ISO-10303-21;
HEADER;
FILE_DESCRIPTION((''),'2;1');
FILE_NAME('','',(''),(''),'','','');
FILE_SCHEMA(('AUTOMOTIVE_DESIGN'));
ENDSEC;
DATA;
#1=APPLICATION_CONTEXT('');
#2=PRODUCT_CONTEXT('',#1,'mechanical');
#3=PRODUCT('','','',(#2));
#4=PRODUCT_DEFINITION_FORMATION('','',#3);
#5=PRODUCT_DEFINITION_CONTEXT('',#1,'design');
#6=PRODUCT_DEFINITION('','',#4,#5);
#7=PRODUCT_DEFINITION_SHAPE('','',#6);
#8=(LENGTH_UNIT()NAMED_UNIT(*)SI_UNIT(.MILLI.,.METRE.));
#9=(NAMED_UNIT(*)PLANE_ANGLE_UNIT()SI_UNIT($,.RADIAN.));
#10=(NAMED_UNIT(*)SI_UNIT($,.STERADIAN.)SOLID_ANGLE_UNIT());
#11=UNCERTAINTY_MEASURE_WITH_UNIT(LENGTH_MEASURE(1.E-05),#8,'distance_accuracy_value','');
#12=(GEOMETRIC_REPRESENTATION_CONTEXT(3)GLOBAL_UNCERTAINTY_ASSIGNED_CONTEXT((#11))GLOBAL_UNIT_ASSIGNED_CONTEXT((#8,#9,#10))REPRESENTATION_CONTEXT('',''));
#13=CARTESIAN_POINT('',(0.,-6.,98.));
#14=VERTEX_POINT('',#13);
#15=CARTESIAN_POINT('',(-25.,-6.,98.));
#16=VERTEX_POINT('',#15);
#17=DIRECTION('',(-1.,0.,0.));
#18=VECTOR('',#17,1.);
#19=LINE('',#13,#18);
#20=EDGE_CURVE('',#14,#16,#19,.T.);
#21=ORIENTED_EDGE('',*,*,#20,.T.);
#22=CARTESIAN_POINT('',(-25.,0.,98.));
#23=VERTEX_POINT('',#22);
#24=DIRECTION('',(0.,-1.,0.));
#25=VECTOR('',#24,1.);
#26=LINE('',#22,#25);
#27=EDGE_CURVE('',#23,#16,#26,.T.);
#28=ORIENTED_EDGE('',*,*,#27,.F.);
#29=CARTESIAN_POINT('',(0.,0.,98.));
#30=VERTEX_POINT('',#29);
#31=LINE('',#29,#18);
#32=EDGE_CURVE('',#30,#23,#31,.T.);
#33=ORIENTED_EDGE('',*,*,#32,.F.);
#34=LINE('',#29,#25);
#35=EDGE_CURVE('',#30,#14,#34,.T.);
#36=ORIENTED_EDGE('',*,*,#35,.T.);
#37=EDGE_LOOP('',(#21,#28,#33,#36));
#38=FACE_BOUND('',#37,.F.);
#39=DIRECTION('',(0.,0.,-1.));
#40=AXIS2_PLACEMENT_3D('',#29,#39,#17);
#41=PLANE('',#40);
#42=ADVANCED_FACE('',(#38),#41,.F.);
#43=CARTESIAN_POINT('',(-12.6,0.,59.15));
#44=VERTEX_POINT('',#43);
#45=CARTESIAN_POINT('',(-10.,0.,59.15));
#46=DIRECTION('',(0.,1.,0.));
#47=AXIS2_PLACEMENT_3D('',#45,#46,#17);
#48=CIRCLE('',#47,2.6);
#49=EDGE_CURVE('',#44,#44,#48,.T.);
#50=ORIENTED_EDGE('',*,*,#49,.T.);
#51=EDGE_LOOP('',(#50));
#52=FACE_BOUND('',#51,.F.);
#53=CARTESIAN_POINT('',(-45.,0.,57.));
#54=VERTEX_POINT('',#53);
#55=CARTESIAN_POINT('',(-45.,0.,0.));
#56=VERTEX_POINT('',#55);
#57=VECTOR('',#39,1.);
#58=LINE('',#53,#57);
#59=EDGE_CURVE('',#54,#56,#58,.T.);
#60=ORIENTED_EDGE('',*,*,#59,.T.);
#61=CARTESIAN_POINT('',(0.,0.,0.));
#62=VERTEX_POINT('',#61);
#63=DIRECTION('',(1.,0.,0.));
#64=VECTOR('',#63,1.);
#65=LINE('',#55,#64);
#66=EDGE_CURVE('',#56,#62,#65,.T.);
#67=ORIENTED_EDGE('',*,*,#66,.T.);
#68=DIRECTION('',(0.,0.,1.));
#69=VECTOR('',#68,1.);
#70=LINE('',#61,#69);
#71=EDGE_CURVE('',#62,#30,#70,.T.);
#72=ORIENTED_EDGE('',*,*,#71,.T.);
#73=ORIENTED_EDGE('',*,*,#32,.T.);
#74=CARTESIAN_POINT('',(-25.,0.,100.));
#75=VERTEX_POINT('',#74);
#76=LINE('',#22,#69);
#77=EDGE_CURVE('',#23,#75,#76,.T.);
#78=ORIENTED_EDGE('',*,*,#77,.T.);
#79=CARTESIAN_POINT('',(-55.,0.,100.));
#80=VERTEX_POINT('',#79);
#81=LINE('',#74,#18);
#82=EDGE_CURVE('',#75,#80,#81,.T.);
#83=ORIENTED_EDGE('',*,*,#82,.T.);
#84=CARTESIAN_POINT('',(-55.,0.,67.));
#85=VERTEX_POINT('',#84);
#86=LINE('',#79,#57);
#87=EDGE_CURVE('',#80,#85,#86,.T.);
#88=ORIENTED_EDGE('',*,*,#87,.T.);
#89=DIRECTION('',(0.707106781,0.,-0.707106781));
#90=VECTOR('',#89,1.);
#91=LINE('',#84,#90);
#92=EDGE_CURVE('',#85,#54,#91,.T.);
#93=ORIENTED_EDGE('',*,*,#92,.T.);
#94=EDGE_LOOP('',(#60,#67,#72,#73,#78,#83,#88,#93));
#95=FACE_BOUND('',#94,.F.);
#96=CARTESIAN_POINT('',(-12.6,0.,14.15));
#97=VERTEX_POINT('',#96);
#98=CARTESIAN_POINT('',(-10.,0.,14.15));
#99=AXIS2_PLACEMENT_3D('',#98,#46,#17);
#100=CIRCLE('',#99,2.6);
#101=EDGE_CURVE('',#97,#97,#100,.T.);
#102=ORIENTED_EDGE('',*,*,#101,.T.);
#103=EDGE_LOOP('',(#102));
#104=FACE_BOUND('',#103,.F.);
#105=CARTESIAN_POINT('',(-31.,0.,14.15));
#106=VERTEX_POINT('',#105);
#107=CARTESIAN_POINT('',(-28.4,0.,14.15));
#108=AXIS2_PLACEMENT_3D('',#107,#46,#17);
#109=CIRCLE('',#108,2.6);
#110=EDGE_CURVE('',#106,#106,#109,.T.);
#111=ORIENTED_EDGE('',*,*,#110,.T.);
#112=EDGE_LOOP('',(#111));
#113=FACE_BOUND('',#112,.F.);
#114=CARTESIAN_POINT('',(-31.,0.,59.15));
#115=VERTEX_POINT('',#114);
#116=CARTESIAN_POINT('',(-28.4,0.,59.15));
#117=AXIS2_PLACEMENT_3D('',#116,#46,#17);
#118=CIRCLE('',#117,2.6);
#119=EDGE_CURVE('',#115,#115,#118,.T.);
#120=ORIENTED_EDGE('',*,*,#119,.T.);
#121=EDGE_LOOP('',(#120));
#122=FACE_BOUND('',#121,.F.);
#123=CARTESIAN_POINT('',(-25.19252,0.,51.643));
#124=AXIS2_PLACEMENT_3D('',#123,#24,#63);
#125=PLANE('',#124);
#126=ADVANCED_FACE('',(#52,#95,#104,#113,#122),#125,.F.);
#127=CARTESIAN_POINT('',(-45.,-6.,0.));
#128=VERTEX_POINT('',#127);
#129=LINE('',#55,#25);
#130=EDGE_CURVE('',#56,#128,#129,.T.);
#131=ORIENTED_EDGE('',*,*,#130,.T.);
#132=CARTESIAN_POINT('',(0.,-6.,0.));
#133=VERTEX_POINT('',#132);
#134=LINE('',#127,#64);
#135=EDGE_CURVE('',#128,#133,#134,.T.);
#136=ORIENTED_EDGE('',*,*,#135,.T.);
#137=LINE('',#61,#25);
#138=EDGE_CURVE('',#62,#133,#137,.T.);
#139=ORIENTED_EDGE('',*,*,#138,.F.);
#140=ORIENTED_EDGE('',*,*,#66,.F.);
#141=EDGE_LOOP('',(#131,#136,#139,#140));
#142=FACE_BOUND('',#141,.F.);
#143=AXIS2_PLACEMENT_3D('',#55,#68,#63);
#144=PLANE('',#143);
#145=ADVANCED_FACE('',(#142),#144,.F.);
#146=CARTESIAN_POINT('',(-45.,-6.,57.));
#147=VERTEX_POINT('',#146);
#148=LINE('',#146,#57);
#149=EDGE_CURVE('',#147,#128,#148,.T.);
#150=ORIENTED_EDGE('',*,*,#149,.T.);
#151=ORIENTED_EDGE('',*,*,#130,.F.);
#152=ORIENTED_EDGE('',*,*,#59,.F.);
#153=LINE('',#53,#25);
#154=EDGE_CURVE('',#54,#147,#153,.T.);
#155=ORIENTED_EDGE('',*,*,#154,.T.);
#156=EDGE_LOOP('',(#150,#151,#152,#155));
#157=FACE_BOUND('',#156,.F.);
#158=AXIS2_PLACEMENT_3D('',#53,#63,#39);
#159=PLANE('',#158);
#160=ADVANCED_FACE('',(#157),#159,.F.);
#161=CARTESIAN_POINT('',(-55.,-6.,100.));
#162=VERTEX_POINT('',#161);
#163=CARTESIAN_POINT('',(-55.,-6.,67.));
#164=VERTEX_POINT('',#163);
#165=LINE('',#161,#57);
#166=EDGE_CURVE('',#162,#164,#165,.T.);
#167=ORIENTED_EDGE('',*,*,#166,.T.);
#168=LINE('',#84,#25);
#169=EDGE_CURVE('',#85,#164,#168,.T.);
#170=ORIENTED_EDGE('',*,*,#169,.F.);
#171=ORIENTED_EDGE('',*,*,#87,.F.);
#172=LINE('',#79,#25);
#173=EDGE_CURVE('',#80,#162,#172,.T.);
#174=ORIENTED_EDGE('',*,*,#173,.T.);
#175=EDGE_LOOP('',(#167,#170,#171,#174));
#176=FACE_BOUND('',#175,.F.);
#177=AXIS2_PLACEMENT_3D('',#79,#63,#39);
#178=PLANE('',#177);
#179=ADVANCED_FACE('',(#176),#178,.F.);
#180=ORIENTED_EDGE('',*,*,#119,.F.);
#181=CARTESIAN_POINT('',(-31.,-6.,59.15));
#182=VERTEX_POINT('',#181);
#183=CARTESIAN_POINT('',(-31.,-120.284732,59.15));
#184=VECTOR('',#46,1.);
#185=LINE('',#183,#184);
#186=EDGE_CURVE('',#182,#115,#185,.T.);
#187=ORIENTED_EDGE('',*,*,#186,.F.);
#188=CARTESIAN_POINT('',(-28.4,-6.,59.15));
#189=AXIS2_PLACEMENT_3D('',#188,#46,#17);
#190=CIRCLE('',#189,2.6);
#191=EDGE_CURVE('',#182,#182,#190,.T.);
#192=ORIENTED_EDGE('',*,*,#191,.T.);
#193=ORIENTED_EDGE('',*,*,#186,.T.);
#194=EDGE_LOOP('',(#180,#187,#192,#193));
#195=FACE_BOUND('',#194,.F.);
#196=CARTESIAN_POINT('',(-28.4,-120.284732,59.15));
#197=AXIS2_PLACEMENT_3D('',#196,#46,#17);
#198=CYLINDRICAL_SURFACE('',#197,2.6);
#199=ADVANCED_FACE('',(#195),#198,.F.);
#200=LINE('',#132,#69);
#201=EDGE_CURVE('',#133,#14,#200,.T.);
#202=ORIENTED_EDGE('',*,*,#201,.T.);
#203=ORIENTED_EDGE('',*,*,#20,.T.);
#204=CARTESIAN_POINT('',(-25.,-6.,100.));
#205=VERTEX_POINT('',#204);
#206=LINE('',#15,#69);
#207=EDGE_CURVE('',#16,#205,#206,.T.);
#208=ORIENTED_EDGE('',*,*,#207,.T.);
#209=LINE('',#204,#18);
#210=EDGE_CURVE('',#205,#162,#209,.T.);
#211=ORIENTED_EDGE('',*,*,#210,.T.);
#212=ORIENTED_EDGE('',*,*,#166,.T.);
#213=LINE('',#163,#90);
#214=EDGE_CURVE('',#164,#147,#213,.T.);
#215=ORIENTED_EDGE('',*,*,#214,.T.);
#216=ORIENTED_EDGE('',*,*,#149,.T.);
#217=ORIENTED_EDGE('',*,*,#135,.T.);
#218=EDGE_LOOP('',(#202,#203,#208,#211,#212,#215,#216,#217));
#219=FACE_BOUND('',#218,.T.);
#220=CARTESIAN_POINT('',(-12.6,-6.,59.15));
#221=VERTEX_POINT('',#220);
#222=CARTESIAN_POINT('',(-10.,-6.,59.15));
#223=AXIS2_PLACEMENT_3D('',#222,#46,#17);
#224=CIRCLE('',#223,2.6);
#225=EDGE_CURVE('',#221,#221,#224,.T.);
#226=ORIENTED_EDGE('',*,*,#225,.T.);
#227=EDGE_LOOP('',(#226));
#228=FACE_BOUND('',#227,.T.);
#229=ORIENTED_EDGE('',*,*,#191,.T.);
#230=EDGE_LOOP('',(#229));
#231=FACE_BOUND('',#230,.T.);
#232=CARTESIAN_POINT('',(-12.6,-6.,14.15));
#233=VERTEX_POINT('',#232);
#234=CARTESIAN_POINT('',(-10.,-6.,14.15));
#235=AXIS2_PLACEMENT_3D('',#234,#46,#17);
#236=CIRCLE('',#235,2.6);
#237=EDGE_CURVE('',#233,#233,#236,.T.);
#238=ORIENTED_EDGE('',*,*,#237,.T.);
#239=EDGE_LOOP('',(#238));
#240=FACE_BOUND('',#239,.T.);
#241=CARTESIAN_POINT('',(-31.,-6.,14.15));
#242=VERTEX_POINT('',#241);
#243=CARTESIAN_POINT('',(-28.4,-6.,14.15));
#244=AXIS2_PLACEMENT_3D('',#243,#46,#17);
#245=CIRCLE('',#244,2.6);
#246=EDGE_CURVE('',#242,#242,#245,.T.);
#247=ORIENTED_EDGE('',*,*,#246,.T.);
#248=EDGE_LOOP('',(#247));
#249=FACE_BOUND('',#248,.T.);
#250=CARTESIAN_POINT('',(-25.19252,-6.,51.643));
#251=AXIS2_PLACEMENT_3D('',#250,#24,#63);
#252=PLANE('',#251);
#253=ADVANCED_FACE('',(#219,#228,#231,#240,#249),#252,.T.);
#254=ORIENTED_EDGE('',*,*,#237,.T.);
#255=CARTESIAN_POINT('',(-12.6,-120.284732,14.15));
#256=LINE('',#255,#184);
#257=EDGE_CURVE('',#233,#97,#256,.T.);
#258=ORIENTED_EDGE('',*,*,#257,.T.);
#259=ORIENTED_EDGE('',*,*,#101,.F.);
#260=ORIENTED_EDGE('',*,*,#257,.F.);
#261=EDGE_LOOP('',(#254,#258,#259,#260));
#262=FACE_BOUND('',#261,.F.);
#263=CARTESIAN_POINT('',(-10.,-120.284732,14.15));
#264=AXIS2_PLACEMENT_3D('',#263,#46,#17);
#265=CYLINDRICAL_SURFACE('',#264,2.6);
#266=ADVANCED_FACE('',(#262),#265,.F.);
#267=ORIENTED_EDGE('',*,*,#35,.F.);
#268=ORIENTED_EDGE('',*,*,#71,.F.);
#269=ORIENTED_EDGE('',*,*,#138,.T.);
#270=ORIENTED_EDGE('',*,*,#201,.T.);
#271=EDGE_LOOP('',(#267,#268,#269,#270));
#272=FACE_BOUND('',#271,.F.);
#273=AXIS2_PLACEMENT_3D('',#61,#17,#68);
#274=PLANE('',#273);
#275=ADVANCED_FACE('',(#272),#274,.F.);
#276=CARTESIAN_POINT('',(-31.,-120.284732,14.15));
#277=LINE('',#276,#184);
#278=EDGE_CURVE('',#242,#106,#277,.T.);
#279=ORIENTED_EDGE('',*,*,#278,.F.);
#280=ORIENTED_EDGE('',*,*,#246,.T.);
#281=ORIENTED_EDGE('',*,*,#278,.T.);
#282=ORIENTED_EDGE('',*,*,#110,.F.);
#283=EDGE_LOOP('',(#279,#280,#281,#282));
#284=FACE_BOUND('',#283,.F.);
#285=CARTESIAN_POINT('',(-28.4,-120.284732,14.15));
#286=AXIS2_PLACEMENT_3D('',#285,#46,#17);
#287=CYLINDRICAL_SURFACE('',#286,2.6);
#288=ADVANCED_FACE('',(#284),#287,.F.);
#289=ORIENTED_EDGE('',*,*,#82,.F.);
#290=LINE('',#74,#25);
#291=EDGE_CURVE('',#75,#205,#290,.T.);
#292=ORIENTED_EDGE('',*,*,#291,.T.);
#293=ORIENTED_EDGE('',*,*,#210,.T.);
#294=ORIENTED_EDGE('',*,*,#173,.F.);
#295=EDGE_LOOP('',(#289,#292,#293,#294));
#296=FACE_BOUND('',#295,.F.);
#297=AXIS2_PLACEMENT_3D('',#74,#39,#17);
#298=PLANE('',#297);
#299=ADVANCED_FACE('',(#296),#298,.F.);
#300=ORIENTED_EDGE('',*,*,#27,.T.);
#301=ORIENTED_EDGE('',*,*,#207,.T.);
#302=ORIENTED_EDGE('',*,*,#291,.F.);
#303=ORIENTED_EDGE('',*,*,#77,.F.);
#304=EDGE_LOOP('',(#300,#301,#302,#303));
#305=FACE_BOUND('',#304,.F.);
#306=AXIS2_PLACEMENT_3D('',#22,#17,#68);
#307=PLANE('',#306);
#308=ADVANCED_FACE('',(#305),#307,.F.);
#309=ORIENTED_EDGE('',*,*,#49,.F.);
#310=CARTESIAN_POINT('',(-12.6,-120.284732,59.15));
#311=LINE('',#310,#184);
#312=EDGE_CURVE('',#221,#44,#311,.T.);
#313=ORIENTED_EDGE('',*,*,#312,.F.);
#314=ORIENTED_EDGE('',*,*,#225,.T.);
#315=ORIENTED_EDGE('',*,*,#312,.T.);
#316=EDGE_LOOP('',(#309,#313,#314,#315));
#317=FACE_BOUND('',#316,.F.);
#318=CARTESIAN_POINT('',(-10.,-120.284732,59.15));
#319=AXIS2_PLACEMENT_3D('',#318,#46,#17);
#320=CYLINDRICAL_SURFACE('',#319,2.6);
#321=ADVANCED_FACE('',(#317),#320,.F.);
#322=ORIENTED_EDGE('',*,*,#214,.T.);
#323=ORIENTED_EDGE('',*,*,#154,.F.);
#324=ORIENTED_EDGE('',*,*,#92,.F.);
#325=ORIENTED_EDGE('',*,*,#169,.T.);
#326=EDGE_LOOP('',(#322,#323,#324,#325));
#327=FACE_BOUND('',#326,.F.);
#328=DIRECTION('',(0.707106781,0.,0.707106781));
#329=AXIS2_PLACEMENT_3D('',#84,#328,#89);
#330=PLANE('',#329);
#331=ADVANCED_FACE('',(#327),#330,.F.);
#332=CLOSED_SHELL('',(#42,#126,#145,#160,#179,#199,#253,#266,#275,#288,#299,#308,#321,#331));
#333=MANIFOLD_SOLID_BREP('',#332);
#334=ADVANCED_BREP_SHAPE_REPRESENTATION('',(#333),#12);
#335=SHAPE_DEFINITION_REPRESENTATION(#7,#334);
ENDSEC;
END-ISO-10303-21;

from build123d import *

# Parameters (mm, degrees)
F1_DEPTH = 6
F3_D     = 5.2


with BuildPart() as f1:
    # F0 (on Front) → F1 (new body)
    with BuildSketch(Plane.XZ):
        Polygon((-45, 0), (0, 0), (0, 98), (-25, 98), (-25, 100), (-55, 100), (-55, 67), (-45, 57), align=None)
    extrude(amount=F1_DEPTH)

    # F3 (through all)
    with Locations(Plane.XZ.offset(6)):
        with Locations((-10, 59.15), (-28.4, 59.15), (-28.4, 14.15), (-10, 14.15)):
            Hole(F3_D / 2)


solid = f1.part
